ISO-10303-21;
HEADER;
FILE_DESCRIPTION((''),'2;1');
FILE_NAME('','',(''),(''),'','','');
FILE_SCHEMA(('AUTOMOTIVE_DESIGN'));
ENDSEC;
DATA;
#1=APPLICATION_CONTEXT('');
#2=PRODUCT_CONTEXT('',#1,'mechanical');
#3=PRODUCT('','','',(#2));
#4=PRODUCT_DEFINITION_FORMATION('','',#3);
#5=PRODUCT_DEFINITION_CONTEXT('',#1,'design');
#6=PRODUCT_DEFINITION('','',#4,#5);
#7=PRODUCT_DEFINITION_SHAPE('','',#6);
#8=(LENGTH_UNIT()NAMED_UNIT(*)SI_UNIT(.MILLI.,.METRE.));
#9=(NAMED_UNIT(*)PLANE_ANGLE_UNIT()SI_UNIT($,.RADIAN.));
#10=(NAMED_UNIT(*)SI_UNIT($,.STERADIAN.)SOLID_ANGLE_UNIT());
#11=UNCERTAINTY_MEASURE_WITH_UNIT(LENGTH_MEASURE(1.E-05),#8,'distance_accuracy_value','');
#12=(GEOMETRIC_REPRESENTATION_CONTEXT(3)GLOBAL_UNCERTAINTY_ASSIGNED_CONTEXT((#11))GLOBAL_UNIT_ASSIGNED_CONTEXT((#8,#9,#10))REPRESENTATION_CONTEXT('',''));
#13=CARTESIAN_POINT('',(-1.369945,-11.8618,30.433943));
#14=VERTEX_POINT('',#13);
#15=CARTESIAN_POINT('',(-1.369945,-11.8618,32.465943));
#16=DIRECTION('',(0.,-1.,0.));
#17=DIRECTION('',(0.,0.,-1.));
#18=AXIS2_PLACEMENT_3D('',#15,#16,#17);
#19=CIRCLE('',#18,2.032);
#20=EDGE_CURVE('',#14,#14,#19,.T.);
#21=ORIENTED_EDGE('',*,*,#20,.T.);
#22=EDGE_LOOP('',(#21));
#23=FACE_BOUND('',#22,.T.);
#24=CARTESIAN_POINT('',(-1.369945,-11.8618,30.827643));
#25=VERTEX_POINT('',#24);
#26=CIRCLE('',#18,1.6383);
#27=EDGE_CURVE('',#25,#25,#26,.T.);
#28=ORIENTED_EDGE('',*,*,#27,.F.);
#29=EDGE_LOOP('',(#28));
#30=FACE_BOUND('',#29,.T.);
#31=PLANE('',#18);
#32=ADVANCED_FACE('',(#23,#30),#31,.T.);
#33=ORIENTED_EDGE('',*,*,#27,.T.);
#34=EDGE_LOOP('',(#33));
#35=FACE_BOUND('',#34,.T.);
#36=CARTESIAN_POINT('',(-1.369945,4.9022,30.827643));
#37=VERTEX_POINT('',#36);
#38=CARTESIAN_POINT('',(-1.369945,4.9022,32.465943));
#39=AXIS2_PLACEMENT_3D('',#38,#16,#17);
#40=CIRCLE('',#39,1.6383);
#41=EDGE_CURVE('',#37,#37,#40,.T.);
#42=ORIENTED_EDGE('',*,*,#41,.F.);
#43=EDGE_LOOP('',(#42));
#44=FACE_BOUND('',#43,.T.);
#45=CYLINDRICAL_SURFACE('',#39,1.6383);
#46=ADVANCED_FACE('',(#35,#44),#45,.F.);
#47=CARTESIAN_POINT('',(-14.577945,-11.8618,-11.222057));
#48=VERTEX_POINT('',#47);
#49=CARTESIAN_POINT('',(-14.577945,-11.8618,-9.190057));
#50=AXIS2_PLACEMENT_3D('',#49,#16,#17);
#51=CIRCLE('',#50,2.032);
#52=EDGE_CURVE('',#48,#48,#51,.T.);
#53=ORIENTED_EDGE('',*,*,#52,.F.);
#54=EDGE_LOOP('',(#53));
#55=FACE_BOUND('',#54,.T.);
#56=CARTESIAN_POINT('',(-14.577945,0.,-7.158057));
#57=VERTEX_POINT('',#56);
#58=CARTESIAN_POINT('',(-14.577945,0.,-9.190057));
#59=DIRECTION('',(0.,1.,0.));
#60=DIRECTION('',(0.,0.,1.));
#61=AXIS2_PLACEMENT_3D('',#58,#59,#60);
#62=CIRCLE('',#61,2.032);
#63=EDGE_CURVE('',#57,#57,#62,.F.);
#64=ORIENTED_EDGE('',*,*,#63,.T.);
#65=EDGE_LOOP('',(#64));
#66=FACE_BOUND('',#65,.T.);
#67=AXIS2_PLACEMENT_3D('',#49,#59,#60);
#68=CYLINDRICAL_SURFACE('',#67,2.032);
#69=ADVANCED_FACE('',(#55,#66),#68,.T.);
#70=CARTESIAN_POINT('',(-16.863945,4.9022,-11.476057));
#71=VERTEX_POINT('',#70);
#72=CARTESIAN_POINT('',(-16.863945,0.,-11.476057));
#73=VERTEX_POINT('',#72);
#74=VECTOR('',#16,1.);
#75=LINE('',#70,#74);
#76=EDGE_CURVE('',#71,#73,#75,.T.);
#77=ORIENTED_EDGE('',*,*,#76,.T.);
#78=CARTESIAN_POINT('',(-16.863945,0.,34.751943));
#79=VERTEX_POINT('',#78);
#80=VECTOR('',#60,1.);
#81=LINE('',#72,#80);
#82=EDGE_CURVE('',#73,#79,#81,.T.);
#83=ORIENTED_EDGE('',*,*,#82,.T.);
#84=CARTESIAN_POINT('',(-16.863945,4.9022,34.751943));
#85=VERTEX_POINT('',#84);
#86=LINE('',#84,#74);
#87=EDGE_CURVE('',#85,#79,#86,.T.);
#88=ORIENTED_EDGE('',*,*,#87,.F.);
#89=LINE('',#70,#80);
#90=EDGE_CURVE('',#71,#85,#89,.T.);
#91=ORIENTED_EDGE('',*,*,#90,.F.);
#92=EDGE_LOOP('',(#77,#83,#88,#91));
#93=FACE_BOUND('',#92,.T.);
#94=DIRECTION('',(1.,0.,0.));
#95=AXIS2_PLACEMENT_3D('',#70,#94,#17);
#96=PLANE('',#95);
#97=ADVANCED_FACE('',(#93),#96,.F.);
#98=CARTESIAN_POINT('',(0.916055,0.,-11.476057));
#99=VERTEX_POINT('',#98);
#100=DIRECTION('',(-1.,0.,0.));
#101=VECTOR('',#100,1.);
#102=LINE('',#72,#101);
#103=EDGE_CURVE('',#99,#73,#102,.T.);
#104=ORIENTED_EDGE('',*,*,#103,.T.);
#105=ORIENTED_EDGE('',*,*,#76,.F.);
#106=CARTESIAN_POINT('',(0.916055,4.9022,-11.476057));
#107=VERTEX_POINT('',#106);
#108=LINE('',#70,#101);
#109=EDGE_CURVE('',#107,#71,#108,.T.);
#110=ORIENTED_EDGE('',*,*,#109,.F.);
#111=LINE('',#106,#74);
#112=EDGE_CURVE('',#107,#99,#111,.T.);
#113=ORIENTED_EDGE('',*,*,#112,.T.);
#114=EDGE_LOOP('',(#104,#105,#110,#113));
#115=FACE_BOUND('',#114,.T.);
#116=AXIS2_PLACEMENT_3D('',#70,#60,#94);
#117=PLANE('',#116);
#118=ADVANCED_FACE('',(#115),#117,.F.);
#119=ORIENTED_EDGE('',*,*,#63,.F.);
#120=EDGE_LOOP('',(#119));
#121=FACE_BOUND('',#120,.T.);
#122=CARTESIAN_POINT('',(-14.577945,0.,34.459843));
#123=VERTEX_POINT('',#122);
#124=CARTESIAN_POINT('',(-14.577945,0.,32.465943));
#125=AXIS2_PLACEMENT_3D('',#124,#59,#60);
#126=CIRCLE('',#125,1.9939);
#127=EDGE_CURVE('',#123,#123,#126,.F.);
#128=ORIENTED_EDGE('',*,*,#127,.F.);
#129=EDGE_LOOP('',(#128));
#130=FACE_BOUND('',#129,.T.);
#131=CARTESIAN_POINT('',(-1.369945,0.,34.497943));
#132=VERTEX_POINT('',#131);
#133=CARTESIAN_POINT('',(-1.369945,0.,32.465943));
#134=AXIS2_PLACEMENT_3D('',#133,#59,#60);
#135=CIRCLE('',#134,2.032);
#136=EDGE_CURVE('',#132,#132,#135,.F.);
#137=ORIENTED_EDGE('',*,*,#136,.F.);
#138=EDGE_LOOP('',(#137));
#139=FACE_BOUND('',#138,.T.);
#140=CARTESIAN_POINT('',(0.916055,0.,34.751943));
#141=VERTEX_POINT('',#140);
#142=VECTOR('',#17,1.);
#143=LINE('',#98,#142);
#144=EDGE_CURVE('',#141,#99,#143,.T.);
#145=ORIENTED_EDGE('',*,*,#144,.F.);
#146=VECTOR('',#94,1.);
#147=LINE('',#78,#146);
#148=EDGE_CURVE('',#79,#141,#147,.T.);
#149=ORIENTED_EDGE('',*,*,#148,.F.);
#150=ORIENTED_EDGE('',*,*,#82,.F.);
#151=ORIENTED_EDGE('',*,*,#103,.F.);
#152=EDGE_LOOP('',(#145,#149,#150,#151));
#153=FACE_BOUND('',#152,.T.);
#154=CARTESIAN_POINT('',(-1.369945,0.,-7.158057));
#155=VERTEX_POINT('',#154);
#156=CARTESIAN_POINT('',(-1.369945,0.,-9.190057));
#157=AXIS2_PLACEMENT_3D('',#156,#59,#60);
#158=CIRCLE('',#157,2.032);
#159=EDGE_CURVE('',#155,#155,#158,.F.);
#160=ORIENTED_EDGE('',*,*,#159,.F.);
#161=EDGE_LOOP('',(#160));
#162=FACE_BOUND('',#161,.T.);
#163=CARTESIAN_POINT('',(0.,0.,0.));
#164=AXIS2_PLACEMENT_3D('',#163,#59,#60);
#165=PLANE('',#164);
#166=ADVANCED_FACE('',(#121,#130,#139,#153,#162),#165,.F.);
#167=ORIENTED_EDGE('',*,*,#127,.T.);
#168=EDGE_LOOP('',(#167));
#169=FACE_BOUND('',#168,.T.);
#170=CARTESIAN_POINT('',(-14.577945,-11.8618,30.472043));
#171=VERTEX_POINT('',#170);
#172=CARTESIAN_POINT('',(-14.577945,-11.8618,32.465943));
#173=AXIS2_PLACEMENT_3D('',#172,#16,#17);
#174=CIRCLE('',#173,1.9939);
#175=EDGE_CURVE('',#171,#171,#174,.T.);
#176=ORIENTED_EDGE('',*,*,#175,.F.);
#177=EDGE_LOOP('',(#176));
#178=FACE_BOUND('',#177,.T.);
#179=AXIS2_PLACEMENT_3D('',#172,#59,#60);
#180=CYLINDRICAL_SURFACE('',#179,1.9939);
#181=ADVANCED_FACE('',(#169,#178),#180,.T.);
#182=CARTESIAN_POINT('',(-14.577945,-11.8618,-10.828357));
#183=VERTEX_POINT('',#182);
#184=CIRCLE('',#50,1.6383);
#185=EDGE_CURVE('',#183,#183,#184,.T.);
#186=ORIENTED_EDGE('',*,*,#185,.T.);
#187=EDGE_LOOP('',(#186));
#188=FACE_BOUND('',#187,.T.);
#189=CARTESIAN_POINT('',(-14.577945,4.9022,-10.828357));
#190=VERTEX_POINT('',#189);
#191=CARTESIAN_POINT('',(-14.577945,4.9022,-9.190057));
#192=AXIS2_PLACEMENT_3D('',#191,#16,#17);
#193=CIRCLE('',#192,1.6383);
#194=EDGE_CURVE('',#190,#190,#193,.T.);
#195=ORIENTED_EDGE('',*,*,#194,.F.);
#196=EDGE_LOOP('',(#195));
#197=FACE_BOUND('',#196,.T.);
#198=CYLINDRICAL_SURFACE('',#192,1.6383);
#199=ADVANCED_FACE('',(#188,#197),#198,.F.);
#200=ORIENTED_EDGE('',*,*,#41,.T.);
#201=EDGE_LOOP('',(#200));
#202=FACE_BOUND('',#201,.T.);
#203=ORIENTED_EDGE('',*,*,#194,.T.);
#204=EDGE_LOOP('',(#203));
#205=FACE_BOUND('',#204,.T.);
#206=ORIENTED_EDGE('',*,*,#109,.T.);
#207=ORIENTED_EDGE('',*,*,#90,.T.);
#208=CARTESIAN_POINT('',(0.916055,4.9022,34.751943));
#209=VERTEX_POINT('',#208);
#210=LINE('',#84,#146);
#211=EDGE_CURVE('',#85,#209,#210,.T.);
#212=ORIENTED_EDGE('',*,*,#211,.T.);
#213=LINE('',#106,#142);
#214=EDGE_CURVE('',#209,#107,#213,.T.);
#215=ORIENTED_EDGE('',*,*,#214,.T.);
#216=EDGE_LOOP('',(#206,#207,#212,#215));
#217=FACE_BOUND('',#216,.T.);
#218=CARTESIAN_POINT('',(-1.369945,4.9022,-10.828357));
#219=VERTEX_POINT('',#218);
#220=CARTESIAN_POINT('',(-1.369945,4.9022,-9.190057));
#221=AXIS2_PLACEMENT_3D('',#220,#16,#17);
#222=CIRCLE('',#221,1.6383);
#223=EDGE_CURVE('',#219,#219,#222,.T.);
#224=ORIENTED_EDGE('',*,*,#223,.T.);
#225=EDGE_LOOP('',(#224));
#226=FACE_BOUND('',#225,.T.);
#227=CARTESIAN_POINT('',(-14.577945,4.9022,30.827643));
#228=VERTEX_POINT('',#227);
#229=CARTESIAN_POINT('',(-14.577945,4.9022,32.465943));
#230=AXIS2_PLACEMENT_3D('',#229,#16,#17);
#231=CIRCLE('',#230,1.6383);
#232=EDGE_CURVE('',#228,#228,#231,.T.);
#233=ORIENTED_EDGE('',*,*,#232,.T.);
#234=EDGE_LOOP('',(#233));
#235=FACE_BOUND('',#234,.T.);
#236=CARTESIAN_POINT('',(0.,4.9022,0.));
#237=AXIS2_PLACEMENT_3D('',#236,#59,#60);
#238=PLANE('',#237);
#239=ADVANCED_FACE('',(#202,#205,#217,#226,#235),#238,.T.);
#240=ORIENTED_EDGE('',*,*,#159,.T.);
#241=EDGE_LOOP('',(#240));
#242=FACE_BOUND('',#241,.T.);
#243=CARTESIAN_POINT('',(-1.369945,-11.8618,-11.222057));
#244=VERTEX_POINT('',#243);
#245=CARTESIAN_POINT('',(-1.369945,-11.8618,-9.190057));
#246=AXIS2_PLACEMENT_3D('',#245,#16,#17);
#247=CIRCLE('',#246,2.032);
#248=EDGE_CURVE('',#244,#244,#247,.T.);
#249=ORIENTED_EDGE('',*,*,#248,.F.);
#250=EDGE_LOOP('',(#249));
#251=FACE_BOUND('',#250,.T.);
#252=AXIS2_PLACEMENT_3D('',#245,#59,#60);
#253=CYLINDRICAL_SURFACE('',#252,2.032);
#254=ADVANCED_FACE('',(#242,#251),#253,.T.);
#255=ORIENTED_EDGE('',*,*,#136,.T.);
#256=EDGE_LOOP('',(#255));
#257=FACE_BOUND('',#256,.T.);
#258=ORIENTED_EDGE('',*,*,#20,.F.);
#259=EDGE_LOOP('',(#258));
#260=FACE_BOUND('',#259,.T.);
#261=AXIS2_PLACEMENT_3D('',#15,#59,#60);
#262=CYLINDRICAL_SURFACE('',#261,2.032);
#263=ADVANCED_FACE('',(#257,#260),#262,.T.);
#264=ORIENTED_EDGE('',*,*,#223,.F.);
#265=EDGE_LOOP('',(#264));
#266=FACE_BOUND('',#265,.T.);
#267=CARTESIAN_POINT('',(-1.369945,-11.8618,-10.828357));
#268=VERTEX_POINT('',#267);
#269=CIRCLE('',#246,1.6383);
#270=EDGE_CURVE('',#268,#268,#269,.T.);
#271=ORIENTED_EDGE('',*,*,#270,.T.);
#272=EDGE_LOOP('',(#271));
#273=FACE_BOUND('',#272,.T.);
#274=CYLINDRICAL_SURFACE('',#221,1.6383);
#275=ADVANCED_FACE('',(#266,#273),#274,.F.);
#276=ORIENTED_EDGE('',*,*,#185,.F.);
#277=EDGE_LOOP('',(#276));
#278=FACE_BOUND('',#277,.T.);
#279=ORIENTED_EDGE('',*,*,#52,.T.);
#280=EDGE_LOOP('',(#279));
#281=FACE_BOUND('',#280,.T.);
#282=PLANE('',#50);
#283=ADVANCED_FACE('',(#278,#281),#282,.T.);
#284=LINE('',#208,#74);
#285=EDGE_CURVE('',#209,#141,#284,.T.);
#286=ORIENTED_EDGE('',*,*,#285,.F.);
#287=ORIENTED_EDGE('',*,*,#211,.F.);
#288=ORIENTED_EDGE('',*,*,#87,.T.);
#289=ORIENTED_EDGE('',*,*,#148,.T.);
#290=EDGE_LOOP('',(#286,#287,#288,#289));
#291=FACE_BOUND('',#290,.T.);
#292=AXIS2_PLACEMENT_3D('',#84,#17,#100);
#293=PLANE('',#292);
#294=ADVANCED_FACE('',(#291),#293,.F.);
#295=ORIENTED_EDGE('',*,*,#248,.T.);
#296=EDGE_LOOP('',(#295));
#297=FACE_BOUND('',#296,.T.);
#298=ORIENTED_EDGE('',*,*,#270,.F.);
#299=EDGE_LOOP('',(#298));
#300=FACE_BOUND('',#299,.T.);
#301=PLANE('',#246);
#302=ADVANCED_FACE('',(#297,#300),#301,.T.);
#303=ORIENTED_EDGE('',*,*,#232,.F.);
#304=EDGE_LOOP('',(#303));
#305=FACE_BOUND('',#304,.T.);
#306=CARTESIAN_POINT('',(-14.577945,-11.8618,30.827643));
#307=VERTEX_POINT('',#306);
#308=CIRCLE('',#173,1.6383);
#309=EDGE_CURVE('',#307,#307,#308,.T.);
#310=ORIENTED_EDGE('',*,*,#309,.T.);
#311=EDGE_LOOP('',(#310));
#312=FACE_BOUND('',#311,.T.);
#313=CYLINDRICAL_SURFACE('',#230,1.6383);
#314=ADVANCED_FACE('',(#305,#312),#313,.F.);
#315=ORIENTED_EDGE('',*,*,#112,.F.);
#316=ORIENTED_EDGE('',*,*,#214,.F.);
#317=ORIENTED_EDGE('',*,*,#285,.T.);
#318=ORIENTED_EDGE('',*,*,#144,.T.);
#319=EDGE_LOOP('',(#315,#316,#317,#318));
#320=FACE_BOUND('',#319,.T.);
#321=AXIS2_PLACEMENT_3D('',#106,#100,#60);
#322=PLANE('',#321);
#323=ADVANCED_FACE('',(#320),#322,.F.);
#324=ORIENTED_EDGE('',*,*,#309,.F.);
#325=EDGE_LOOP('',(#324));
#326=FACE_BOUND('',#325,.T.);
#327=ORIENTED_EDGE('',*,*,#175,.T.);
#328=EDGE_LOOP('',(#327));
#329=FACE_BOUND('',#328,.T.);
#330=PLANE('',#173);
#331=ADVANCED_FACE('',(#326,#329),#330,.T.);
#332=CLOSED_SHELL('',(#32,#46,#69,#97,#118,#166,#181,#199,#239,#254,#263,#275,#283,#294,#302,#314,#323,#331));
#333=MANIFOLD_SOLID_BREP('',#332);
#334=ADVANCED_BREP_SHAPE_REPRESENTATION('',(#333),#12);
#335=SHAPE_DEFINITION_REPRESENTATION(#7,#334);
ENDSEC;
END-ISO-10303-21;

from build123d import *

# Parameters (mm, degrees)
SKETCH1_W           = 17.78
SKETCH1_H           = 46.228
BOSS_EXTRUDE1_DEPTH = 4.9022
SKETCH2_R           = 1.9939
SKETCH2_R_2         = 2.032
BOSS_EXTRUDE2_DEPTH = 11.8618
SKETCH3_R           = 1.6383
CUT_EXTRUDE1_DEPTH  = 17.764


with BuildPart() as part:
    # Sketch1 → Boss-Extrude1 (new body)
    with BuildSketch(Plane(origin=(0, 0, 0), x_dir=(1, 0, 0), z_dir=(0, 1, 0))):
        with Locations((-7.973944862, -11.637942607)):
            Rectangle(SKETCH1_W, SKETCH1_H)
    extrude(amount=BOSS_EXTRUDE1_DEPTH)

    # Sketch2 → Boss-Extrude2 (add)
    with BuildSketch(Plane.XZ):
        with Locations((-14.577944862, 32.465942607)):
            Circle(SKETCH2_R)
        with Locations((-1.369944862, 32.465942607)):
            Circle(SKETCH2_R_2)
        with Locations((-1.369944862, -9.190057393)):
            Circle(SKETCH2_R_2)
        with Locations((-14.577944862, -9.190057393)):
            Circle(SKETCH2_R_2)
    extrude(amount=BOSS_EXTRUDE2_DEPTH)

    # Sketch3 → Cut-Extrude1 (cut, through all)
    with BuildSketch(Plane.XZ.offset(11.8618)):
        with Locations((-14.577944862, 32.465942607)):
            Circle(SKETCH3_R)
        with Locations((-14.577944862, -9.190057393)):
            Circle(SKETCH3_R)
        with Locations((-1.369944862, -9.190057393)):
            Circle(SKETCH3_R)
        with Locations((-1.369944862, 32.465942607)):
            Circle(SKETCH3_R)
    extrude(amount=-CUT_EXTRUDE1_DEPTH, mode=Mode.SUBTRACT)


solid = part.part
